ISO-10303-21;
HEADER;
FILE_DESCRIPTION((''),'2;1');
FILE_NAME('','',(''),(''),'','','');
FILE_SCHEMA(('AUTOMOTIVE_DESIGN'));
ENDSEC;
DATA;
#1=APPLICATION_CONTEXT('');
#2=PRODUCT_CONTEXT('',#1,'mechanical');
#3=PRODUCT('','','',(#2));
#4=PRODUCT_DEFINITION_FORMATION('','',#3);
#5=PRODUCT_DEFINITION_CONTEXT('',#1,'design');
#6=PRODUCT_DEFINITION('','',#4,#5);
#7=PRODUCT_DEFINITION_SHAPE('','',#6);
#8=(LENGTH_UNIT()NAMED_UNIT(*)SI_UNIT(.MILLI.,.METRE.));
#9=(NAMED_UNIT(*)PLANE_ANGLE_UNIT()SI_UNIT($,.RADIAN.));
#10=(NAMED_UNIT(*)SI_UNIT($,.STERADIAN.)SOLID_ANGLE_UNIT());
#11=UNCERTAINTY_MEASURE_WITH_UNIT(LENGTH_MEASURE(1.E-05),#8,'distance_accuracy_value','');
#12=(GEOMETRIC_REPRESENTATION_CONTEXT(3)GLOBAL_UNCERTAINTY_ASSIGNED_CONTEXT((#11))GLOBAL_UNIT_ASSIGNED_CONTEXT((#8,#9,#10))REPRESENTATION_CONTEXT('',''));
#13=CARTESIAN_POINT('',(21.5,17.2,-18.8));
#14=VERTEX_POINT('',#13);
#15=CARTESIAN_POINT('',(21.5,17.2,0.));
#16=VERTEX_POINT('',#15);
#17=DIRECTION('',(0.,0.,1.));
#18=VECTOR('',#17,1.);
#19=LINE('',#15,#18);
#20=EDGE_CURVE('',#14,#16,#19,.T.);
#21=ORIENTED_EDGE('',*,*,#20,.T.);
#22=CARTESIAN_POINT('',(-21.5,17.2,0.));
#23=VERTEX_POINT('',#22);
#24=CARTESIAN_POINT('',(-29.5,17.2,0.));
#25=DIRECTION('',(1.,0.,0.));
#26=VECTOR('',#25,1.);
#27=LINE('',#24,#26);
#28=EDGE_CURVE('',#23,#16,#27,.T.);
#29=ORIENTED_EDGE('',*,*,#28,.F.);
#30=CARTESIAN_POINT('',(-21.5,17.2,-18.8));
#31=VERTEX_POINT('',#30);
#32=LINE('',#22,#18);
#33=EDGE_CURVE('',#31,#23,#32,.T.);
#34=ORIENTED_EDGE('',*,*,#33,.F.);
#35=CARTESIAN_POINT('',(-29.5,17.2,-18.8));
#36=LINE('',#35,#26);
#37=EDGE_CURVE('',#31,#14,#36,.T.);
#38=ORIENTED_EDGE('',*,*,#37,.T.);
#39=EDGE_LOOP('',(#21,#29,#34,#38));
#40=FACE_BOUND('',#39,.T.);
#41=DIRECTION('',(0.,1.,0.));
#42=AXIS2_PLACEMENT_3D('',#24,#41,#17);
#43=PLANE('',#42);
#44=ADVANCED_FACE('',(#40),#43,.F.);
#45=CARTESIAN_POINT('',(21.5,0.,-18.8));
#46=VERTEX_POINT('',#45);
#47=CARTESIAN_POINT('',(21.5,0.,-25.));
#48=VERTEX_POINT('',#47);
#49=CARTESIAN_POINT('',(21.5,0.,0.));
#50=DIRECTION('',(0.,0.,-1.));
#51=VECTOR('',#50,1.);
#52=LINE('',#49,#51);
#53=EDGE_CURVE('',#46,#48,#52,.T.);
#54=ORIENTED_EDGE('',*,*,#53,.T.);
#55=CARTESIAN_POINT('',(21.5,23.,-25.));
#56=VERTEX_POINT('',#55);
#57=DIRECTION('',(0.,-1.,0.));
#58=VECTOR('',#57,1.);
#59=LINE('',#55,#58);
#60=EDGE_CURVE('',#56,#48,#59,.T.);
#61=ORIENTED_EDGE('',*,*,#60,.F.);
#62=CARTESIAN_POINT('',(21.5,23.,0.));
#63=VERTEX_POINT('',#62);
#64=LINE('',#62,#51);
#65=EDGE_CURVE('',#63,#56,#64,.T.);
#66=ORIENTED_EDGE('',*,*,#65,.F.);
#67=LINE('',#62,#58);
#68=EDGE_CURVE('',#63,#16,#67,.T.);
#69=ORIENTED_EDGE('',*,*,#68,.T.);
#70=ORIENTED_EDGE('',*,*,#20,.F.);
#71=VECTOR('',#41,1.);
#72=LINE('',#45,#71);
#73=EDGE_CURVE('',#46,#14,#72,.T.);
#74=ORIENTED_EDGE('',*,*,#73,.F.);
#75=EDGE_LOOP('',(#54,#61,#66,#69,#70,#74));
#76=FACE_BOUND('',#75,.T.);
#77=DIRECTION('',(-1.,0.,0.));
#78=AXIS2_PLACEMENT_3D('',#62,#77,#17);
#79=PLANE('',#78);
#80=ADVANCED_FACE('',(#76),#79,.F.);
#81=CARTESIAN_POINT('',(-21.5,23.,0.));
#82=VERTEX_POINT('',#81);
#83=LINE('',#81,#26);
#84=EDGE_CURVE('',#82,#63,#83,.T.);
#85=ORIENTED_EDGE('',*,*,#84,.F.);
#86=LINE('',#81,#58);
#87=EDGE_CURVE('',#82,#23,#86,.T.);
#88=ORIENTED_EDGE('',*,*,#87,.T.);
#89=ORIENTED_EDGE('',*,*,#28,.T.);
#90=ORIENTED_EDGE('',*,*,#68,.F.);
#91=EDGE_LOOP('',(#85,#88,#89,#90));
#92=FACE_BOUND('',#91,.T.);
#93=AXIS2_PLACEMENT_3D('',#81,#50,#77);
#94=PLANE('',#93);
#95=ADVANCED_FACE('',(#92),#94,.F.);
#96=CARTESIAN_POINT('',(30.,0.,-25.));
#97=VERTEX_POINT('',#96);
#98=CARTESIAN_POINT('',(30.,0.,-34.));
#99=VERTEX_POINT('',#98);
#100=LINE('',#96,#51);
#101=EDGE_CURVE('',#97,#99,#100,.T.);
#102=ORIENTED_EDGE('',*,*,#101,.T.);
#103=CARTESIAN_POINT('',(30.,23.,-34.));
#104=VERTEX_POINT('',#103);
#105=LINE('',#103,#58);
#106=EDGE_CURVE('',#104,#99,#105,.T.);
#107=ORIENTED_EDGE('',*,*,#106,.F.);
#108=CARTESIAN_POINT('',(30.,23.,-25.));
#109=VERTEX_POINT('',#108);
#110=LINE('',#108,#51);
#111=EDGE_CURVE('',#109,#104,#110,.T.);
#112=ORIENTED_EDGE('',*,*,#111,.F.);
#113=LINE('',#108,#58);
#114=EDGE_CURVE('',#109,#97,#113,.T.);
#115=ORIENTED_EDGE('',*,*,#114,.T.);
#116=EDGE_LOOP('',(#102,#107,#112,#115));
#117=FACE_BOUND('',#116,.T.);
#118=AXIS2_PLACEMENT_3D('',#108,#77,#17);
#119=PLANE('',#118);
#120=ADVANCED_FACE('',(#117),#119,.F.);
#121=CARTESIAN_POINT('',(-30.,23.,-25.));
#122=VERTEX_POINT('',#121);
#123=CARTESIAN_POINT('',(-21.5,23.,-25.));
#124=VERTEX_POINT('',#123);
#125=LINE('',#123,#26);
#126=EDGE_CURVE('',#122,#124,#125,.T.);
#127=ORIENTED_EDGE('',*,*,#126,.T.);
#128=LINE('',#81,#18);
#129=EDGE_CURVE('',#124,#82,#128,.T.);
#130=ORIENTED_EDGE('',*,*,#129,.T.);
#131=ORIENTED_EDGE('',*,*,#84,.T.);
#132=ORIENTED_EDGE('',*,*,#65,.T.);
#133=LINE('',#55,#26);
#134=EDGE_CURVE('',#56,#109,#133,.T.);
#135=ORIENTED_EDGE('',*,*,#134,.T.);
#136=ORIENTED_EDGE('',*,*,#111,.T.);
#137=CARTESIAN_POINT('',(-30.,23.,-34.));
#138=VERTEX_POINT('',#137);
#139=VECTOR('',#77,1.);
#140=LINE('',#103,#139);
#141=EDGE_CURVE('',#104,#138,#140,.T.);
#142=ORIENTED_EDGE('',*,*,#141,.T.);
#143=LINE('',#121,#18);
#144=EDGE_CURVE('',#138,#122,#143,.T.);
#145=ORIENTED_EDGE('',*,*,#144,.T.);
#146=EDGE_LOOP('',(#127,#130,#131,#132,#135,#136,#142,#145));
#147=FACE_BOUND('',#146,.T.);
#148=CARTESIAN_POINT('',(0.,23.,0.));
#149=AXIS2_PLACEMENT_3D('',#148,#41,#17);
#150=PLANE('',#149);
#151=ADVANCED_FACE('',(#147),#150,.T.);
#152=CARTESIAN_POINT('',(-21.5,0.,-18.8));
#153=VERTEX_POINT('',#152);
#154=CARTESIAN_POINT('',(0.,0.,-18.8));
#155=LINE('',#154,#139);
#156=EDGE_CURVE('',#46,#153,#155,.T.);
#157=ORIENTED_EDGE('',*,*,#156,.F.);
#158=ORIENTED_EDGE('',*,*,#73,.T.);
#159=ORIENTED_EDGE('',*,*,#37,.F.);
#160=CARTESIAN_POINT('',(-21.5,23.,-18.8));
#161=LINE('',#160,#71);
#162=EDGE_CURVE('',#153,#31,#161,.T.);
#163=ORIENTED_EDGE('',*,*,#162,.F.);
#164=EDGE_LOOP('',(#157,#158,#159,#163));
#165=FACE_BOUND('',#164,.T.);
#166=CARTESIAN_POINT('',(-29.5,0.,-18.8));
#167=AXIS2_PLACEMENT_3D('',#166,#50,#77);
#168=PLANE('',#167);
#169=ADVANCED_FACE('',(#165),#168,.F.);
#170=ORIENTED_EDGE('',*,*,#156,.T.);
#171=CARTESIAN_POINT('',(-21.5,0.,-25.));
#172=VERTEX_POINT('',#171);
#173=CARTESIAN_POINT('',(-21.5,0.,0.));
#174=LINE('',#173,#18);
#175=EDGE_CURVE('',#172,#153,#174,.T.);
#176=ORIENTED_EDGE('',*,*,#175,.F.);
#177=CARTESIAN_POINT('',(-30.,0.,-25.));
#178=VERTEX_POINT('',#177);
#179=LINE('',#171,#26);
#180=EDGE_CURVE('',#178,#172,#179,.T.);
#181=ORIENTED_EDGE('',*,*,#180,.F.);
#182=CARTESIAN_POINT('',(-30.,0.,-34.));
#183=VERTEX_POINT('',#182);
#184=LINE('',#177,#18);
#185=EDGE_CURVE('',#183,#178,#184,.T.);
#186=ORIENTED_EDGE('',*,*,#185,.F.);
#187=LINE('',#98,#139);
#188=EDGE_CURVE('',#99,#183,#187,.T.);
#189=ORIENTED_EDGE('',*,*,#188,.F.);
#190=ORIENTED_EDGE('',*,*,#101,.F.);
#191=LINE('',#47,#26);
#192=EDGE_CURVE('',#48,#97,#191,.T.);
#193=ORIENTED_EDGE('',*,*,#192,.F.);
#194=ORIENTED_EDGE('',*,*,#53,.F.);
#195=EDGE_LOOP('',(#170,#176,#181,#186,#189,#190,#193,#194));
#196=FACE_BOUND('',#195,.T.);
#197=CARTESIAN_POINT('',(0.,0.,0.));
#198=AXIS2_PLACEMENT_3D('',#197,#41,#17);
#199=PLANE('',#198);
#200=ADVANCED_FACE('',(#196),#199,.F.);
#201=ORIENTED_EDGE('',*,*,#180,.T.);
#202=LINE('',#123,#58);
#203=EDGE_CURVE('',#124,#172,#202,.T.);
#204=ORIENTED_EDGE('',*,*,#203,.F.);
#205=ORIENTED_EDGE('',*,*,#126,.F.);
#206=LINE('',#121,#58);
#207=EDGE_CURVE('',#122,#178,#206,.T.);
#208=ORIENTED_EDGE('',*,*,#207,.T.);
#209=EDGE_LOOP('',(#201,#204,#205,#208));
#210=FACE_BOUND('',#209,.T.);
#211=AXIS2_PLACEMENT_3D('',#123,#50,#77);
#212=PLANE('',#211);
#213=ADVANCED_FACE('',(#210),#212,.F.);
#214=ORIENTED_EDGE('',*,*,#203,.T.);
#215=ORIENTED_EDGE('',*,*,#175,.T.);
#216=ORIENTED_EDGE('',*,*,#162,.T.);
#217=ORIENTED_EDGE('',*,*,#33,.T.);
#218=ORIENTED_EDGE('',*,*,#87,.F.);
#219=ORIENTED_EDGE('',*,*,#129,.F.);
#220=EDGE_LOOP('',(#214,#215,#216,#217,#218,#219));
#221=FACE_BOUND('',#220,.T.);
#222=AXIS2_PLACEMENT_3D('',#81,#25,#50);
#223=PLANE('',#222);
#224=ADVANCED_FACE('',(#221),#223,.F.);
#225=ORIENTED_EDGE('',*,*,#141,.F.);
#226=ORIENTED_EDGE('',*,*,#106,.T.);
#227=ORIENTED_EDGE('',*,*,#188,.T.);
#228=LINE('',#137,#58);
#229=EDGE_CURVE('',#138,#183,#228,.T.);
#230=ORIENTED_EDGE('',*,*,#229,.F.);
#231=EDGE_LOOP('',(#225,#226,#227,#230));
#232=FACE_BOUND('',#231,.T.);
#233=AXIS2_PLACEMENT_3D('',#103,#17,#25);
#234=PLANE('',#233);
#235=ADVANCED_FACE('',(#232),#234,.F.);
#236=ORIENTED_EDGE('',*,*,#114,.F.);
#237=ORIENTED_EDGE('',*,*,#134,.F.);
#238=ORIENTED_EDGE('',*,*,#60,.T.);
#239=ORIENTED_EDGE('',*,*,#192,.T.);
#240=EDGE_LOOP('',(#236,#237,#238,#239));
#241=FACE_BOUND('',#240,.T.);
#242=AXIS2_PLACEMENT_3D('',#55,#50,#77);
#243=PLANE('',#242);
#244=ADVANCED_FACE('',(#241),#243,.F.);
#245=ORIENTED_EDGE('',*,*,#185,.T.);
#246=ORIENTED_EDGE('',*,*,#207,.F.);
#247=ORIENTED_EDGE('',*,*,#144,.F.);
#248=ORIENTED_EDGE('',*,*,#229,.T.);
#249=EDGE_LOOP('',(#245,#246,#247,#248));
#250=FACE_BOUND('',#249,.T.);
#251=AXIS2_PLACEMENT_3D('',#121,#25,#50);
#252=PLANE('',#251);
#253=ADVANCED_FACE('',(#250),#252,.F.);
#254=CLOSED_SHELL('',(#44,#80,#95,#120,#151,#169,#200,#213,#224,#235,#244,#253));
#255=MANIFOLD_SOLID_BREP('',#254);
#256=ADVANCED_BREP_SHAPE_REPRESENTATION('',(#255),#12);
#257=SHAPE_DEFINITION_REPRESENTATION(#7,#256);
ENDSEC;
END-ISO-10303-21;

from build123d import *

# Parameters (mm, degrees)
EXTRUDE_1_DEPTH     = 23
SKETCH_2_W          = 18.8
SKETCH_2_H          = 17.2
CUT_EXTRUDE_1_DEPTH = 51


with BuildPart() as part:
    # Эскиз1 → Бобышка-Вытянуть1 (new body)
    with BuildSketch(Plane(origin=(0, 0, 0), x_dir=(1, 0, 0), z_dir=(0, 1, 0))):
        Polygon((-21.5, 0), (21.5, 0), (21.5, 25), (30, 25), (30, 34), (-30, 34), (-30, 25), (-21.5, 25), align=None)
    extrude(amount=EXTRUDE_1_DEPTH)

    # Эскиз2 → Вырез-Вытянуть1 (cut)
    with BuildSketch(Plane(origin=(21.5, 0, 0), x_dir=(0, 0, -1), z_dir=(1, 0, 0))):
        with Locations((9.4, 8.6)):
            Rectangle(SKETCH_2_W, SKETCH_2_H)
    extrude(amount=-CUT_EXTRUDE_1_DEPTH, mode=Mode.SUBTRACT)


solid = part.part
